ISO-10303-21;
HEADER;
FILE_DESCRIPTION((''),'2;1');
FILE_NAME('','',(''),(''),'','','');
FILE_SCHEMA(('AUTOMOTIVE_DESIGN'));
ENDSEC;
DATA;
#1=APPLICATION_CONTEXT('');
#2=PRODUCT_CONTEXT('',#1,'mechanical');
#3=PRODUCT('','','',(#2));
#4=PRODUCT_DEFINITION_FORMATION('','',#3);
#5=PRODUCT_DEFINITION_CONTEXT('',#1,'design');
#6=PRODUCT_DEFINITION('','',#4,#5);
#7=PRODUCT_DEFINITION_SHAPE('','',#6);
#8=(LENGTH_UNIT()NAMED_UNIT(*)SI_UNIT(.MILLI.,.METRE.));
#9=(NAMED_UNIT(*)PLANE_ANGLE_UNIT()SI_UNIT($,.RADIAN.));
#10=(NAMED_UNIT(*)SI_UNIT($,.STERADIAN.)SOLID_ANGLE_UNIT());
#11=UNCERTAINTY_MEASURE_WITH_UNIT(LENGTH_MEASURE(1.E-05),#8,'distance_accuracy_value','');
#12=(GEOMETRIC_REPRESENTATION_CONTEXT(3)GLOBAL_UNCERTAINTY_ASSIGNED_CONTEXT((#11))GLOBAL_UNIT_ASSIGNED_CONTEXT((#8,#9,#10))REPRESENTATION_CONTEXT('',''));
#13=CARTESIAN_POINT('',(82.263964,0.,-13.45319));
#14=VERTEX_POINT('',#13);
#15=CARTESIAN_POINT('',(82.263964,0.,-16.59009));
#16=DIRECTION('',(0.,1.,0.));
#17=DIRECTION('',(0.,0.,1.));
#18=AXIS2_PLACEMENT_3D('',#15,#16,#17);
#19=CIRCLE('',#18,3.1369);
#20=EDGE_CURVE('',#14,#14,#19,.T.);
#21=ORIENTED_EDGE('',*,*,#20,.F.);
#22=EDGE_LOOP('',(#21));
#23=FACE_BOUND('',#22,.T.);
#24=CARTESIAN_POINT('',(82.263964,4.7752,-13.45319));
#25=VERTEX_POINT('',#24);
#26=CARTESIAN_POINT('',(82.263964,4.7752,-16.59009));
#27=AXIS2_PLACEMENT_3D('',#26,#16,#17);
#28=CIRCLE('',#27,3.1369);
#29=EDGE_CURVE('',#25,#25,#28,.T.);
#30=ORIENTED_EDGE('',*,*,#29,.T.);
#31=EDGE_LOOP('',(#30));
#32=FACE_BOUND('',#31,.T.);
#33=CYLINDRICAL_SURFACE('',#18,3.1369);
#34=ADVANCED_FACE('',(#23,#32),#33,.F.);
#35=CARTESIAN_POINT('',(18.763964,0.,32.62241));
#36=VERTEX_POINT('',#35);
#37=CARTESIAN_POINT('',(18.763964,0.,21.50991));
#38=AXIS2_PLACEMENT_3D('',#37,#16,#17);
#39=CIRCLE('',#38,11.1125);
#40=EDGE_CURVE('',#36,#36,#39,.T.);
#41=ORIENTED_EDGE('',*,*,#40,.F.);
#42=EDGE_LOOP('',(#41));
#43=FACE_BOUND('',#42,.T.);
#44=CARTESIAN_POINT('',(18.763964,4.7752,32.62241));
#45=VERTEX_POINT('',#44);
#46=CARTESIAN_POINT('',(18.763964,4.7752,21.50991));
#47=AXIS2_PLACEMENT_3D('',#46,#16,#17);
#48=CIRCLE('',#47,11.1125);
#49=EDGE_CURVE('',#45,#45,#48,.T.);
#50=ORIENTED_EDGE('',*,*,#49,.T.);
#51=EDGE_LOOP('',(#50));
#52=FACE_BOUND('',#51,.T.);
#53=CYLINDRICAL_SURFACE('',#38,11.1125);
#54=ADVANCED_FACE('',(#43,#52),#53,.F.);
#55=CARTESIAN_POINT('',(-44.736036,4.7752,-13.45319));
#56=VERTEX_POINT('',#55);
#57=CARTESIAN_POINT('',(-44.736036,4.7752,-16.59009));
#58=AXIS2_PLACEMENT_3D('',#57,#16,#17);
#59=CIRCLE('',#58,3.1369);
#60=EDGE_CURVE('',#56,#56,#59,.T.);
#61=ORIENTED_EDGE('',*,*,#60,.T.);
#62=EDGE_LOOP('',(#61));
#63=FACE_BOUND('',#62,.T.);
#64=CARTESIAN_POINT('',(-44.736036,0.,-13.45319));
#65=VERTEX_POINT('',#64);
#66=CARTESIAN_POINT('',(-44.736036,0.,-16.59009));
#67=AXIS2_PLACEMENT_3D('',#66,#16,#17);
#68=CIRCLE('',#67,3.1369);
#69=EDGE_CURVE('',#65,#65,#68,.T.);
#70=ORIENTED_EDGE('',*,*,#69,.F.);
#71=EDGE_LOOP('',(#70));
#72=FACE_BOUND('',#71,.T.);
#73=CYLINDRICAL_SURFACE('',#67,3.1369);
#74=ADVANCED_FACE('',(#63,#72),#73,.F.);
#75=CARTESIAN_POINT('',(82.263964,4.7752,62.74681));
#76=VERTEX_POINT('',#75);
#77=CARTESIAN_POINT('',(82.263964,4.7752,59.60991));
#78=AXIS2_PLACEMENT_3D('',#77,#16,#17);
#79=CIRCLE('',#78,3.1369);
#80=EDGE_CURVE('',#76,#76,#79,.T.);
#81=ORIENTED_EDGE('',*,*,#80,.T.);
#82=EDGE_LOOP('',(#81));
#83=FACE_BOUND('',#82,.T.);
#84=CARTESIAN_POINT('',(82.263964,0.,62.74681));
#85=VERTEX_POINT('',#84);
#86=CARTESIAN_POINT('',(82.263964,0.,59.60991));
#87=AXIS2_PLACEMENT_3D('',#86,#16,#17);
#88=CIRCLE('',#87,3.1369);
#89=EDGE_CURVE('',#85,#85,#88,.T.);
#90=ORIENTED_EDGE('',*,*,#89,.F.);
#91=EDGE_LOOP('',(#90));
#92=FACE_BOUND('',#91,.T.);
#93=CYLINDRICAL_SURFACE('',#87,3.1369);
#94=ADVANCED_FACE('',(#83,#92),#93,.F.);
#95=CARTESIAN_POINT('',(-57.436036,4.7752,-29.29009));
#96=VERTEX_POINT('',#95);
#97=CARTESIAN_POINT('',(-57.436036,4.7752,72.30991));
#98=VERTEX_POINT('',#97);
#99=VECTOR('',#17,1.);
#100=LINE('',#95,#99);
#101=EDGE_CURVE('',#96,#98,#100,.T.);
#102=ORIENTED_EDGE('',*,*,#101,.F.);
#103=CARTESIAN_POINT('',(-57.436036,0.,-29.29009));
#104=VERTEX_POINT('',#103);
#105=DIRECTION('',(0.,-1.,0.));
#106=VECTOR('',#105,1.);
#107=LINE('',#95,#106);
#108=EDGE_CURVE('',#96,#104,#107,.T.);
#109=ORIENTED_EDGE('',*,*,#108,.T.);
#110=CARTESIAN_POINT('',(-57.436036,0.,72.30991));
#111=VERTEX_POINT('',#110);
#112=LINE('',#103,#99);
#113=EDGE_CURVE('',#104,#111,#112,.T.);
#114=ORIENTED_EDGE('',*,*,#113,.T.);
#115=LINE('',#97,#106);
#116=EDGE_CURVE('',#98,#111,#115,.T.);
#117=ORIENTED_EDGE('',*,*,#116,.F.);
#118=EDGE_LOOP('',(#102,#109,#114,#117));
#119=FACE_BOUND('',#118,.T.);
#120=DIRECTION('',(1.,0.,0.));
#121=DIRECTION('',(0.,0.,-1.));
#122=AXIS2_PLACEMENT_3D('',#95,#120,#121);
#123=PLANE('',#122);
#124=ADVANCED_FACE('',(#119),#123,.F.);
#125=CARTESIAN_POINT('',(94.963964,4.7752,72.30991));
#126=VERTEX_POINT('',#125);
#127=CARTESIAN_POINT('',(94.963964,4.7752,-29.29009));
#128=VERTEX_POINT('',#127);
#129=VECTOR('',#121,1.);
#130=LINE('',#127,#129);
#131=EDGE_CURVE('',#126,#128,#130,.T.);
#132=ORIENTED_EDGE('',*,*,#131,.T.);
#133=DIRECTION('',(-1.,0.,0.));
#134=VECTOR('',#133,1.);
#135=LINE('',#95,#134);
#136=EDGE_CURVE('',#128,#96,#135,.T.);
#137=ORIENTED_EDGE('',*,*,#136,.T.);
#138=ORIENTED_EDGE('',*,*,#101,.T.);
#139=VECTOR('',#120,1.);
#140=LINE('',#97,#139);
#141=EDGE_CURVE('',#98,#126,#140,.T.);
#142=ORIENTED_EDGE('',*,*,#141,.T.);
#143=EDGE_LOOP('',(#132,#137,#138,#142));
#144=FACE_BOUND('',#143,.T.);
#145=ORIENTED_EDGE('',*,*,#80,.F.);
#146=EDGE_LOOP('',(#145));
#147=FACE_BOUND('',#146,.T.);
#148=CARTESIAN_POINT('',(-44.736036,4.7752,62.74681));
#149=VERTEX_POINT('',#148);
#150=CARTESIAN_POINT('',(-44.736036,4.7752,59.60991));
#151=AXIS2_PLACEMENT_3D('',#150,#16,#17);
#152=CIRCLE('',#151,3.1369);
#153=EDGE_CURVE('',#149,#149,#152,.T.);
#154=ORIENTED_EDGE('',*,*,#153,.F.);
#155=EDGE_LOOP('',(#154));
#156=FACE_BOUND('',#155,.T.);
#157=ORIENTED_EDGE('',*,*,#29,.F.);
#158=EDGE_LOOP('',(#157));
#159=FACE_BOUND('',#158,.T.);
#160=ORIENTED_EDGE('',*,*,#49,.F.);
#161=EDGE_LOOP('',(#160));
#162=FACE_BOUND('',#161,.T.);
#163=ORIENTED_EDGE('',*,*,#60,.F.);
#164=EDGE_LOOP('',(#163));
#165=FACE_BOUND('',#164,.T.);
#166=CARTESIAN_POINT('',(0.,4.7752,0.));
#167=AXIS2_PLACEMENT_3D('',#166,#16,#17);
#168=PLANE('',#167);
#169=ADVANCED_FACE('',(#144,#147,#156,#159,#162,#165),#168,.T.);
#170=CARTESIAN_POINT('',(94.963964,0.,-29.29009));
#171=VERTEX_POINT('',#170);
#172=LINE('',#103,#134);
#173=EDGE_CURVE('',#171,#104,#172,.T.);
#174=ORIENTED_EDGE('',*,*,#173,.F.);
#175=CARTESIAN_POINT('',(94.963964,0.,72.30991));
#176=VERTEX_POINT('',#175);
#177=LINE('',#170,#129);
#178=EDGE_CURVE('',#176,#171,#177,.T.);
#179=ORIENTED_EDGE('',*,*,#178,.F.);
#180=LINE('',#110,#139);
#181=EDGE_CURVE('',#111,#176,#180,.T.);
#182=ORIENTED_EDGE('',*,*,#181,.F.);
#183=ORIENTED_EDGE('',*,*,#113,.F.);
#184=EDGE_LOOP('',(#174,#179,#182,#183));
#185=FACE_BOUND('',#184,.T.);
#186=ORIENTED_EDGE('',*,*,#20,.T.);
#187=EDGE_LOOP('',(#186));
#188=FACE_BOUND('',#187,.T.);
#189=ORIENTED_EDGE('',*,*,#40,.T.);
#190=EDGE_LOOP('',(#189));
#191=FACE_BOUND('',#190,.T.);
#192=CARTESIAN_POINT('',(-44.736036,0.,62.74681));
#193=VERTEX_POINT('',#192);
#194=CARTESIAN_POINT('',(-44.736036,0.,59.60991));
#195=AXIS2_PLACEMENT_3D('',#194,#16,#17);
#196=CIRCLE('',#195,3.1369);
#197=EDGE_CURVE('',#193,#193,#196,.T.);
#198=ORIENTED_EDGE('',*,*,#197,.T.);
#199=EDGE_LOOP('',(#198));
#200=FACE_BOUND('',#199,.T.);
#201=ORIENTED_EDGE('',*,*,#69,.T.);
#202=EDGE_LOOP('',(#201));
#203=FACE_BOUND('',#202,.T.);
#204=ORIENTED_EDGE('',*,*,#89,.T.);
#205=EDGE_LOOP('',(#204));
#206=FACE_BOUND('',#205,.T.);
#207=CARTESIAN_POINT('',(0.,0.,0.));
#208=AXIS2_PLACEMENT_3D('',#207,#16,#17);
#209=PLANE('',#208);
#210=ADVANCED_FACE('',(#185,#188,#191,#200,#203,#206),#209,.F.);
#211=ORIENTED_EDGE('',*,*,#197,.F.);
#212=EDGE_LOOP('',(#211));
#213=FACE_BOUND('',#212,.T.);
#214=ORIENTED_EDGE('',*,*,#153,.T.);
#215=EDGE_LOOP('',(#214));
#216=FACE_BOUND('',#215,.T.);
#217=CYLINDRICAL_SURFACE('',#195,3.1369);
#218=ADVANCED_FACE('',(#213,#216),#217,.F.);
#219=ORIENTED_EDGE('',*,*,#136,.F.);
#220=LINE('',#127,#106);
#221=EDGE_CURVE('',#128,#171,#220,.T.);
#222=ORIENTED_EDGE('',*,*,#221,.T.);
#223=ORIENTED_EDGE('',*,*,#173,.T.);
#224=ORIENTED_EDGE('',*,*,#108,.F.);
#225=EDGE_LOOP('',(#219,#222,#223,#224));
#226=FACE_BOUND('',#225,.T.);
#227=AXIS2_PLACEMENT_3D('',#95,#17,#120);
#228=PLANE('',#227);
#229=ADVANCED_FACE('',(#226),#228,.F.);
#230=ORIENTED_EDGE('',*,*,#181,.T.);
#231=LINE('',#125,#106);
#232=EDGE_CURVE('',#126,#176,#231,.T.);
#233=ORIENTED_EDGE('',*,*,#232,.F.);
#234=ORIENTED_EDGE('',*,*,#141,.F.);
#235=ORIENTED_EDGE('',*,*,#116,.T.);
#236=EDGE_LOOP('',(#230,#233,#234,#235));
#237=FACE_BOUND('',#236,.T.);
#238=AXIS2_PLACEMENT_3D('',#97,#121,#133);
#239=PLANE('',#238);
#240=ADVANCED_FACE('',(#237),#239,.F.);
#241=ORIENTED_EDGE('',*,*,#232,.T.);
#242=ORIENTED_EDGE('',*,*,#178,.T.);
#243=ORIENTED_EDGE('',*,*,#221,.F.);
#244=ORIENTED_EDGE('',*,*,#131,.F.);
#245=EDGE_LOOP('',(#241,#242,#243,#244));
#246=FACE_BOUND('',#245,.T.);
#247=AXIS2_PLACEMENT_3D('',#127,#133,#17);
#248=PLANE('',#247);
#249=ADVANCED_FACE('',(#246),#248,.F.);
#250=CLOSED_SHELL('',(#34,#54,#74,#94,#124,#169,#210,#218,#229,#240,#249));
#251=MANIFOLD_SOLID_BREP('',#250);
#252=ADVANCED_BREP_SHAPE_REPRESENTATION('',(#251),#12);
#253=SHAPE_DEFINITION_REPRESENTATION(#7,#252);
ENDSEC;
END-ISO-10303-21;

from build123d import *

# Parameters (mm, degrees)
SKETCH1_W           = 152.4
SKETCH1_H           = 101.6
BOSS_EXTRUDE1_DEPTH = 4.7752
SKETCH2_R           = 3.1369
SKETCH2_R_2         = 11.1125
CUT_EXTRUDE1_DEPTH  = 4.7752


with BuildPart() as part:
    # Sketch1 → Boss-Extrude1 (new body)
    with BuildSketch(Plane(origin=(0, 0, 0), x_dir=(1, 0, 0), z_dir=(0, 1, 0))):
        with Locations((18.763963964, -21.50990991)):
            Rectangle(SKETCH1_W, SKETCH1_H)
    extrude(amount=BOSS_EXTRUDE1_DEPTH)

    # Sketch2 → Cut-Extrude1 (cut)
    with BuildSketch(Plane(origin=(0, 4.7752, 0), x_dir=(1, 0, 0), z_dir=(0, 1, 0))):
        with Locations(Location((-44.736036036, 16.59009009, 0), (0, 0, 270))):
            Circle(SKETCH2_R)
        with Locations(Location((82.263963964, 16.59009009, 0), (0, 0, 270))):
            Circle(SKETCH2_R)
        with Locations(Location((82.263963964, -59.60990991, 0), (0, 0, 270))):
            Circle(SKETCH2_R)
        with Locations(Location((-44.736036036, -59.60990991, 0), (0, 0, 270))):
            Circle(SKETCH2_R)
        with Locations(Location((18.763963964, -21.50990991, 0), (0, 0, 270))):
            Circle(SKETCH2_R_2)
    extrude(amount=-CUT_EXTRUDE1_DEPTH, mode=Mode.SUBTRACT)


solid = part.part
